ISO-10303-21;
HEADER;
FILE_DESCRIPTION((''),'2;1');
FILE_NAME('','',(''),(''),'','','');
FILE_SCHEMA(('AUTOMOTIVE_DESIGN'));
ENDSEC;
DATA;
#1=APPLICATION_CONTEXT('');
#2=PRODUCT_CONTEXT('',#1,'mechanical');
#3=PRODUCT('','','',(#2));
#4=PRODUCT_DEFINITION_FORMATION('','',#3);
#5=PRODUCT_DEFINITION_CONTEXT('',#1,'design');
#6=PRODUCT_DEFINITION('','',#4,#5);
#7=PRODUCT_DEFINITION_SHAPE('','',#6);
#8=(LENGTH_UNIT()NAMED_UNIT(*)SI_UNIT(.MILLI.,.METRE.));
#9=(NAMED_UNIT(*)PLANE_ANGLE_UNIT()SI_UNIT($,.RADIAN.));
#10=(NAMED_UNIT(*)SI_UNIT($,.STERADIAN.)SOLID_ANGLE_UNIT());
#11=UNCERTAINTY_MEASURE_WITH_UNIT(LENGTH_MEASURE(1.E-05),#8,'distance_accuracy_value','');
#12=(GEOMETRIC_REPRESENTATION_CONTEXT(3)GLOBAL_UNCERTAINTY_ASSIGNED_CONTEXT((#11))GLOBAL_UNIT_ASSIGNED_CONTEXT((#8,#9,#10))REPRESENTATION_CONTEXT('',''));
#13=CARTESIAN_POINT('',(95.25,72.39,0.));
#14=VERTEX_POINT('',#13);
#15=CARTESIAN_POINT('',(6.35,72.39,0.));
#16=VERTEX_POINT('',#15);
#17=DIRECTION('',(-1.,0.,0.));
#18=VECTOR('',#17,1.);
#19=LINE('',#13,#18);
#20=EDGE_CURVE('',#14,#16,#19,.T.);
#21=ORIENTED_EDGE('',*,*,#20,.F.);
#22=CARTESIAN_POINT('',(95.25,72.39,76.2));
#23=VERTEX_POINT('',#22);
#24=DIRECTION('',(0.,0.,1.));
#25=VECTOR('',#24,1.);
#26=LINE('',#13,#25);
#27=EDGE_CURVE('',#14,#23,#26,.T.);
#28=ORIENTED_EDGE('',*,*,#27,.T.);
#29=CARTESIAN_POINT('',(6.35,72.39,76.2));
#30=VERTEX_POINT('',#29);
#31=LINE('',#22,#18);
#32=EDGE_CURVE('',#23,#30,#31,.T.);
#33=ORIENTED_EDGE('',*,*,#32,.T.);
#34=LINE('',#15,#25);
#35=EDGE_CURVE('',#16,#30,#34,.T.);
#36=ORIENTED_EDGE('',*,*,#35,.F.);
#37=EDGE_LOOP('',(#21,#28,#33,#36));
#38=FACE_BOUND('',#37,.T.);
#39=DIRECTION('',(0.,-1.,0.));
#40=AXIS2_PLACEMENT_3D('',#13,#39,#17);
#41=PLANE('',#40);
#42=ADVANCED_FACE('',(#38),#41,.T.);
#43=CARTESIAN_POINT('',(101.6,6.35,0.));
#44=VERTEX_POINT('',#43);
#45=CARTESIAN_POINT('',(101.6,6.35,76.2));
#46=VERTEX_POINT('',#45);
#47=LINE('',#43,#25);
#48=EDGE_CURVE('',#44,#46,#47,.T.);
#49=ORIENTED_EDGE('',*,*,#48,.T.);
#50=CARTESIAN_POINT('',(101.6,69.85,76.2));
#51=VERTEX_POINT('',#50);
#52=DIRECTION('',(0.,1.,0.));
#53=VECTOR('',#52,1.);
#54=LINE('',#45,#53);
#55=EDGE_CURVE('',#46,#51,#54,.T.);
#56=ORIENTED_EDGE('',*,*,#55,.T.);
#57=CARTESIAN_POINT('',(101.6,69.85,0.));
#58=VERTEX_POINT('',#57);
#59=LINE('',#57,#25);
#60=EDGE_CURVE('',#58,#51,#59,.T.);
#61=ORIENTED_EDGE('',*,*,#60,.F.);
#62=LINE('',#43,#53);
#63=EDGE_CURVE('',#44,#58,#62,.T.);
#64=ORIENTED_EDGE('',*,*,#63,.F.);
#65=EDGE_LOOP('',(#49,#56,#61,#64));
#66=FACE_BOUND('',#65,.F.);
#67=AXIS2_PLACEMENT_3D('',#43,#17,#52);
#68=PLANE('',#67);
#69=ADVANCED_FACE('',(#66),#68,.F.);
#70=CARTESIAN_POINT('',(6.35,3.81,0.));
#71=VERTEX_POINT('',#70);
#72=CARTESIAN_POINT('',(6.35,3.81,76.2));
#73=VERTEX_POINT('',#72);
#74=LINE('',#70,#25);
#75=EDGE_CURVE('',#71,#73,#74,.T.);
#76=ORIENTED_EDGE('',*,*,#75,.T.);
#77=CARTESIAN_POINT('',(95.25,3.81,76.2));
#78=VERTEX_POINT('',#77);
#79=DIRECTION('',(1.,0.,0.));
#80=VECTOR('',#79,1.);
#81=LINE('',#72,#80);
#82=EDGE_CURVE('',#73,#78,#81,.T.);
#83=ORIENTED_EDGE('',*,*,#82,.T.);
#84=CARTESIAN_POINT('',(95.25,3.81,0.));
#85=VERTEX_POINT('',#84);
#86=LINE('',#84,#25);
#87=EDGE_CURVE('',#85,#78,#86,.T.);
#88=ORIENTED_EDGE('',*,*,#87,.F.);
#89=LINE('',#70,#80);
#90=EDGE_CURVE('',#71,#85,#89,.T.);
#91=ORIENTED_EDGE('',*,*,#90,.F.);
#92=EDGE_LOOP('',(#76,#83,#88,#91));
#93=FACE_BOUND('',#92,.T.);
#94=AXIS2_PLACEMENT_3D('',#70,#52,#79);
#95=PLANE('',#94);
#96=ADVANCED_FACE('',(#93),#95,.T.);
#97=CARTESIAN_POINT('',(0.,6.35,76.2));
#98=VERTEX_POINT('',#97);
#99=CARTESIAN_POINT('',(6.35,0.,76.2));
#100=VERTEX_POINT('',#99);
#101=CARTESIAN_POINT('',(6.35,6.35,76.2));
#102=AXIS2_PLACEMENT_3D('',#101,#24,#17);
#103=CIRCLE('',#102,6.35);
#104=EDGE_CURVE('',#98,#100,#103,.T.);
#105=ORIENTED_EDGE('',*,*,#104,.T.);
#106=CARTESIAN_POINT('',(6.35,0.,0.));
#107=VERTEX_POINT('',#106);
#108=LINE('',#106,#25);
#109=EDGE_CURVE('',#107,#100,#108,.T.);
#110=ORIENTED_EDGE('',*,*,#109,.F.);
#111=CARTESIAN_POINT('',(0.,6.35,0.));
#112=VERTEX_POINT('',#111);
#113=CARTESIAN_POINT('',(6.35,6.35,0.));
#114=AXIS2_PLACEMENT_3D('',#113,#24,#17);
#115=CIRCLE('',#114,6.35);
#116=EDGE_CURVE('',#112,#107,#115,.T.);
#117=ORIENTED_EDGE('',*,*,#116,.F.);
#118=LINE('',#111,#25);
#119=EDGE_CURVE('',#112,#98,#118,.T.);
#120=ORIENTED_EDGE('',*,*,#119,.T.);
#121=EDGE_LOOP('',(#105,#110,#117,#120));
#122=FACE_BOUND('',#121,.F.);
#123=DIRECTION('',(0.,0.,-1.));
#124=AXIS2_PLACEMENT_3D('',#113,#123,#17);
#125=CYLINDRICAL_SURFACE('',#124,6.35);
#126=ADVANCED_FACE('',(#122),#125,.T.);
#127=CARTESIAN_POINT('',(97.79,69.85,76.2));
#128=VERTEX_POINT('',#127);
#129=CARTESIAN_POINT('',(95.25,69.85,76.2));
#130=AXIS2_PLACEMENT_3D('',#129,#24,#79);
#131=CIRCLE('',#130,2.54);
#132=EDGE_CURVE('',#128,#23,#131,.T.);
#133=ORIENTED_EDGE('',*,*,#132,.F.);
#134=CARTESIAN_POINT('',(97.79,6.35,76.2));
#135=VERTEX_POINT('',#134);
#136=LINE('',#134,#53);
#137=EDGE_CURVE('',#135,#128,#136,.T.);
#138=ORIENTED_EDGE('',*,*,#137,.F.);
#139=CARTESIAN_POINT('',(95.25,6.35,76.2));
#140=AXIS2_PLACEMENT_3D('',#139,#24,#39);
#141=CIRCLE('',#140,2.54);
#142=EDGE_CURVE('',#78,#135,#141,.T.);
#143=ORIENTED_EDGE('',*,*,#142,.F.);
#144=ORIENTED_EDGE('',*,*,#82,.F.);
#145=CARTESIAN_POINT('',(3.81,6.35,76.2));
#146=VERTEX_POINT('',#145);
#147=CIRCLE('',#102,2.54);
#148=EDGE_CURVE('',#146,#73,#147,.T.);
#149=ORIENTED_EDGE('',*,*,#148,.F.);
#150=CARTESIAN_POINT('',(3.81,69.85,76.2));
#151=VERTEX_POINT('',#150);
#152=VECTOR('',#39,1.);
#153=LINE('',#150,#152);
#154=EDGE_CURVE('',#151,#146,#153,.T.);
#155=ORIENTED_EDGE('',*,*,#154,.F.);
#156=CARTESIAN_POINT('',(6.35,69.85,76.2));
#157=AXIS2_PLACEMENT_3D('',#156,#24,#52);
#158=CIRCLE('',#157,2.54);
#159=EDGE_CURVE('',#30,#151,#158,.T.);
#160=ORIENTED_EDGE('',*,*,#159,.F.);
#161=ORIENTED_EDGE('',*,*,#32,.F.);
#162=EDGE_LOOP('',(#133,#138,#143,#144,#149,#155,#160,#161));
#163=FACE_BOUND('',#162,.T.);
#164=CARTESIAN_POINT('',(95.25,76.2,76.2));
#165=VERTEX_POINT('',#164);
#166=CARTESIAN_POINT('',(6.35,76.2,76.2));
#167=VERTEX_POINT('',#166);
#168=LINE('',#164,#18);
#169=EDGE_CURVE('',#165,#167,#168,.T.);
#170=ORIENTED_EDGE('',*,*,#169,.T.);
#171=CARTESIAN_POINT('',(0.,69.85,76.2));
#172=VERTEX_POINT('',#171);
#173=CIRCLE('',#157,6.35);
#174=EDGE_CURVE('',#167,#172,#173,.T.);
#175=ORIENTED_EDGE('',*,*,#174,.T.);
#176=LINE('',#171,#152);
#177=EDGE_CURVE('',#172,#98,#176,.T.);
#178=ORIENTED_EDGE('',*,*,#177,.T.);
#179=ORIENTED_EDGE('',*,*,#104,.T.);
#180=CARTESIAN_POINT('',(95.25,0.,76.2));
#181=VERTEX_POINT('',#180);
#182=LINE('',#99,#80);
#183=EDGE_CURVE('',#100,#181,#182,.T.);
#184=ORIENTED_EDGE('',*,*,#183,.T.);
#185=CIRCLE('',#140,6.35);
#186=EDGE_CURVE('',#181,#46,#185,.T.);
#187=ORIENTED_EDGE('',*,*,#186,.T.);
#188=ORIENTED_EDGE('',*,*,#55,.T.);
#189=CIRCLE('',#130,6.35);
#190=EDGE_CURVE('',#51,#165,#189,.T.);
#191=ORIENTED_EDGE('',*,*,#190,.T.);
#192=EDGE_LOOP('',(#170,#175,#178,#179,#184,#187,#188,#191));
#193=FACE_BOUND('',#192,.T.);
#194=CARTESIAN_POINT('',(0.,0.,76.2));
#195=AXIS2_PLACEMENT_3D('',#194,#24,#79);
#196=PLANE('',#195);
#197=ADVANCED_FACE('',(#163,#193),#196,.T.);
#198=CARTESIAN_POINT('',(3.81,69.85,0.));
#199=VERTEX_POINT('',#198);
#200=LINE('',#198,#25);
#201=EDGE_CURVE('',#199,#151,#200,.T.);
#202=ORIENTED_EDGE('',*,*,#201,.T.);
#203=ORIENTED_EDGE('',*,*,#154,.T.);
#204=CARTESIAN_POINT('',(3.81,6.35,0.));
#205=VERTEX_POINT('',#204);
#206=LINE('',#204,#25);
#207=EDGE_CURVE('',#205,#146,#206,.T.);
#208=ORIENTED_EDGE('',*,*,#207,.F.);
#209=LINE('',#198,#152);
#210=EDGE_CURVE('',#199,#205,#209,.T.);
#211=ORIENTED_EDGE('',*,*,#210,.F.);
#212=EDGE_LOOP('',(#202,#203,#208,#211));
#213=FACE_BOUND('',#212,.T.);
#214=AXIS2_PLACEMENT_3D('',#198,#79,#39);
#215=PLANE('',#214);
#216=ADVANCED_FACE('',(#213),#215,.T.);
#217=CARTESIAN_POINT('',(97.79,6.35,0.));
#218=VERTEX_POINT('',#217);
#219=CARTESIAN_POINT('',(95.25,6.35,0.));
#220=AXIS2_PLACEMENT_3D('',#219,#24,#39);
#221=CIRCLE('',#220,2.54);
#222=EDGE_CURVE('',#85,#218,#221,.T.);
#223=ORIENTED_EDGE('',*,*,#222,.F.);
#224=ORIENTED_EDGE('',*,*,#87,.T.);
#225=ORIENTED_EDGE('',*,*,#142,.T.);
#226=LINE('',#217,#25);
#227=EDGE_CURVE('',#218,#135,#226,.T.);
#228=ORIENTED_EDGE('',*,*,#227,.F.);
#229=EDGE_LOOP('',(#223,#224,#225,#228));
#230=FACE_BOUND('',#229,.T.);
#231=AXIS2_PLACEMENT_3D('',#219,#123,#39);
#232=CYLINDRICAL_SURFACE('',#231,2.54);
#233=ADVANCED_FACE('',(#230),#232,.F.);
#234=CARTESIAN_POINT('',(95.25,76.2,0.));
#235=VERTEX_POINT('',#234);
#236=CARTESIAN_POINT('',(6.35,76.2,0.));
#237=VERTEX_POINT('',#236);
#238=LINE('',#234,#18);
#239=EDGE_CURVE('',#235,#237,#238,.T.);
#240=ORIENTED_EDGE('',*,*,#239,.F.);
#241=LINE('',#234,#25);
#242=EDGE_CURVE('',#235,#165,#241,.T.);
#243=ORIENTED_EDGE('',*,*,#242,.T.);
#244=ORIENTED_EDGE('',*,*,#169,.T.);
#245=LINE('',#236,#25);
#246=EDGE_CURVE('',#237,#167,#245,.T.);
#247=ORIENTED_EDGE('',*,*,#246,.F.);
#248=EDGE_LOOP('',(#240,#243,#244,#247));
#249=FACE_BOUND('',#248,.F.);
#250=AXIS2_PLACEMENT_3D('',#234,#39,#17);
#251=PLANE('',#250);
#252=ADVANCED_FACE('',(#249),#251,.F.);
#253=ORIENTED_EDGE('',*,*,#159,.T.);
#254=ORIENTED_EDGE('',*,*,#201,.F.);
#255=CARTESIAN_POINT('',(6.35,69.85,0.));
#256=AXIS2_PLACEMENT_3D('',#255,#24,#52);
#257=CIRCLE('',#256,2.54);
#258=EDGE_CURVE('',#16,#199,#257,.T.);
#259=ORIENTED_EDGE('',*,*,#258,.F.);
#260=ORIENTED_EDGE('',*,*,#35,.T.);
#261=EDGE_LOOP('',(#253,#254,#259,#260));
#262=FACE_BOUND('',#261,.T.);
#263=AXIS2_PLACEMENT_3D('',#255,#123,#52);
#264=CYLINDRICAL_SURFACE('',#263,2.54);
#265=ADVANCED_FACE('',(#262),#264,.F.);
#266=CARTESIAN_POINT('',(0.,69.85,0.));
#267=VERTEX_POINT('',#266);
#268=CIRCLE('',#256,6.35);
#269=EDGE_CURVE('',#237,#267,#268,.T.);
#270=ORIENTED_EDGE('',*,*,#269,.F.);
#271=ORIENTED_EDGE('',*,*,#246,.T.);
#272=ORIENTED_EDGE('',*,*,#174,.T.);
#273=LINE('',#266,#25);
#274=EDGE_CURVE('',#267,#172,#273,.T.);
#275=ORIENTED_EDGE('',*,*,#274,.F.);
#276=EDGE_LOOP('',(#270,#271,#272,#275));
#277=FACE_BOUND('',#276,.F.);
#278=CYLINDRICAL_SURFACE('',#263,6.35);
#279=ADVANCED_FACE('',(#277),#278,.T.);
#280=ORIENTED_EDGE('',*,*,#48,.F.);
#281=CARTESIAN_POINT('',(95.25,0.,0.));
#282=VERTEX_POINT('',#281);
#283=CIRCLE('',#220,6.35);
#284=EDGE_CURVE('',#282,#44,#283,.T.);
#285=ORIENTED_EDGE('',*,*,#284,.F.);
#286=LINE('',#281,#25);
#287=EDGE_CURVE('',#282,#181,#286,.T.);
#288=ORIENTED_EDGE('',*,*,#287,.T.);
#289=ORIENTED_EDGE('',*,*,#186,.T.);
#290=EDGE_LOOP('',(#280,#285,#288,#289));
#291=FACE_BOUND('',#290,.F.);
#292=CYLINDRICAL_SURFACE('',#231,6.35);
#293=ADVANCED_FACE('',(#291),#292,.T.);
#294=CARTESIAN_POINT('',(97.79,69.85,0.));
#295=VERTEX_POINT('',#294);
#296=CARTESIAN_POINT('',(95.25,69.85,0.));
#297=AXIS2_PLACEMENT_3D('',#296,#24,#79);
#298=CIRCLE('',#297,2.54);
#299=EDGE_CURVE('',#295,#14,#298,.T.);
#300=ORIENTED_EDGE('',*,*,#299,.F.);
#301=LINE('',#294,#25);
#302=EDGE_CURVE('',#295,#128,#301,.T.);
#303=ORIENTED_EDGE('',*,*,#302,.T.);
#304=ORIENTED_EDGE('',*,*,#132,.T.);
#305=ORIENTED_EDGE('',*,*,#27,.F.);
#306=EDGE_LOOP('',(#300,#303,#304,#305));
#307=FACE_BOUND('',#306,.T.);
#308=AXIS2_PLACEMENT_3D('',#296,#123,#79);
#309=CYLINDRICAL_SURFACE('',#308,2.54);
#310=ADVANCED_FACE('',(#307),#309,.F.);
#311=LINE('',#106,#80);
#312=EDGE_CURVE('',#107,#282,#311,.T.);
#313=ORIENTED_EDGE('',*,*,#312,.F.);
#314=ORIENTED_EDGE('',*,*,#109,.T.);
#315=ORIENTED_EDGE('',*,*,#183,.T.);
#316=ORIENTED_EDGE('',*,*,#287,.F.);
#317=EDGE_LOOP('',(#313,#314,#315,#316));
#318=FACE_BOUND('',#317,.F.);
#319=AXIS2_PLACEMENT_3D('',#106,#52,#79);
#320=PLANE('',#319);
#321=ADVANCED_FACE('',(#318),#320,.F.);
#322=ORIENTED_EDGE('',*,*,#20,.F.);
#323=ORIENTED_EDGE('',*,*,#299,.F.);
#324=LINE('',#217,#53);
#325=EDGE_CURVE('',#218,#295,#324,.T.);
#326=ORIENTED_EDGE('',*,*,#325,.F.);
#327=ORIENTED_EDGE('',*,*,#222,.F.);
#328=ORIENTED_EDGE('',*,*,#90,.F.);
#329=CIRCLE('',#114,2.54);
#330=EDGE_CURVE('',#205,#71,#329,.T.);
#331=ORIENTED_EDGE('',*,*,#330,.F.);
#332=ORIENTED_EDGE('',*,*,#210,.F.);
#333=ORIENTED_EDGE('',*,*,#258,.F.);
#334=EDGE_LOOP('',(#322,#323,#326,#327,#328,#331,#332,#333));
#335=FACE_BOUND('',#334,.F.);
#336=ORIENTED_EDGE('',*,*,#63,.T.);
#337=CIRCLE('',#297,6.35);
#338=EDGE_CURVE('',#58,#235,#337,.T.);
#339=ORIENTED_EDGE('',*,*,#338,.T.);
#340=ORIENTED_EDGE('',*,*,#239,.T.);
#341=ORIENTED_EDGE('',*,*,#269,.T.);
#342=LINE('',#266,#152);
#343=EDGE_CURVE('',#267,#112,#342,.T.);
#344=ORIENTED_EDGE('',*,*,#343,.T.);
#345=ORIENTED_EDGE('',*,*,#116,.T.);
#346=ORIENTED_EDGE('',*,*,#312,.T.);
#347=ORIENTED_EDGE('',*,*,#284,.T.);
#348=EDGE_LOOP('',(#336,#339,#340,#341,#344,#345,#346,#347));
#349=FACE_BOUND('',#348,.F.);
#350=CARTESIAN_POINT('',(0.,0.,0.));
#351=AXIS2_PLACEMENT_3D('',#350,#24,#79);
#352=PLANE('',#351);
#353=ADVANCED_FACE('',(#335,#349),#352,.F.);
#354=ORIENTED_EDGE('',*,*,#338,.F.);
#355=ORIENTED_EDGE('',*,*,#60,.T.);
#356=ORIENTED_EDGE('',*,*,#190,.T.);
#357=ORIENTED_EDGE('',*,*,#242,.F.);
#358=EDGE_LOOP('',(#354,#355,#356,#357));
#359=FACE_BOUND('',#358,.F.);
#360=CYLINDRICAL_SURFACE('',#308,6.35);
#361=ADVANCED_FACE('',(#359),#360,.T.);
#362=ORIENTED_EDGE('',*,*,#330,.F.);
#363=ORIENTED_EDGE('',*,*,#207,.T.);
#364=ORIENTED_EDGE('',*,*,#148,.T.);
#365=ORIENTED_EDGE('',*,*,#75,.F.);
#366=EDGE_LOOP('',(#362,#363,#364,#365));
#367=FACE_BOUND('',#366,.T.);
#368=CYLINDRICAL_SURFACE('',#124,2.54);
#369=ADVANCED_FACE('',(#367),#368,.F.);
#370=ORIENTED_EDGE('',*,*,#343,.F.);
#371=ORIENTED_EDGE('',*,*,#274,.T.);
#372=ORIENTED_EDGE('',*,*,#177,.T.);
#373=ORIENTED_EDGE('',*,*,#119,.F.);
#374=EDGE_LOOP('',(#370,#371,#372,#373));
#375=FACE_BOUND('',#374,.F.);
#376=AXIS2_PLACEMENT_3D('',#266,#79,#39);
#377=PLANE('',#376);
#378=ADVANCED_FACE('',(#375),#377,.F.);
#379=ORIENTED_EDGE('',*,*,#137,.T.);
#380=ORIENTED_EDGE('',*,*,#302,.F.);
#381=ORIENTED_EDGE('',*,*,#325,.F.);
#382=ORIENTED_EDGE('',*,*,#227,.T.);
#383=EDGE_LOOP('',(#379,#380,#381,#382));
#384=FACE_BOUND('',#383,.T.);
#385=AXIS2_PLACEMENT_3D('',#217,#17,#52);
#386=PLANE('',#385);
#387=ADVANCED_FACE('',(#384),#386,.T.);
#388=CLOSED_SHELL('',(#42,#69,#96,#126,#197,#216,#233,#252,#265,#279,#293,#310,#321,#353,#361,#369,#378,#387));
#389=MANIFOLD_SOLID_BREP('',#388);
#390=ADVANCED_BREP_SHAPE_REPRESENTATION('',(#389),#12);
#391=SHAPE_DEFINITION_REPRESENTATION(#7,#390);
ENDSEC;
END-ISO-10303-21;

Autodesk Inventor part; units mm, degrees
ref_plane "YZ Plane" through (0, 0, 0) normal (1, 0, 0) x (0, 1, 0)
ref_plane "XZ Plane" through (0, 0, 0) normal (0, 1, 0) x (-1, 0, 0)
ref_plane "XY Plane" through (0, 0, 0) normal (0, 0, 1) x (1, 0, 0)
sketch "Sketch1" plane through (0, 0, 0) normal (0, 0, 1) x (1, 0, 0)
  line L0 (6.35, 0) -> (95.25, 0)
  line L1 (101.6, 6.35) -> (101.6, 69.85)
  line L2 (95.25, 76.2) -> (6.35, 76.2)
  line L3 (0, 69.85) -> (0, 6.35)
  arc A0 (6.35, 76.2) -> (0, 69.85) centre (6.35, 69.85) ccw
  arc A1 (101.6, 69.85) -> (95.25, 76.2) centre (95.25, 69.85) ccw
  arc A2 (95.25, 0) -> (101.6, 6.35) centre (95.25, 6.35) ccw
  arc A3 (0, 6.35) -> (6.35, 0) centre (6.35, 6.35) ccw
  line L4 (3.81, 69.85) -> (3.81, 6.35)
  arc A4 (3.81, 6.35) -> (6.35, 3.81) centre (6.35, 6.35) ccw
  line L5 (6.35, 3.81) -> (95.25, 3.81)
  arc A5 (95.25, 3.81) -> (97.79, 6.35) centre (95.25, 6.35) ccw
  line L6 (97.79, 6.35) -> (97.79, 69.85)
  arc A6 (97.79, 69.85) -> (95.25, 72.39) centre (95.25, 69.85) ccw
  line L7 (95.25, 72.39) -> (6.35, 72.39)
  arc A7 (6.35, 72.39) -> (3.81, 69.85) centre (6.35, 69.85) ccw
  point P0 (0, 0)
  point P1 (101.6, 76.2)
  point P2 (101.6, 0)
  point P3 (0, 76.2)
  dimension "d0" = 101.6
  dimension "d1" = 76.2
  dimension "d2" = 6.35
  dimension "d3" = 6.35
  dimension "d4" = 3.81
extrude "Extrusion1" add sketch "Sketch1" along normal blind 76.2
properties part number "Generic 4x3in Steel Square Tubing"
